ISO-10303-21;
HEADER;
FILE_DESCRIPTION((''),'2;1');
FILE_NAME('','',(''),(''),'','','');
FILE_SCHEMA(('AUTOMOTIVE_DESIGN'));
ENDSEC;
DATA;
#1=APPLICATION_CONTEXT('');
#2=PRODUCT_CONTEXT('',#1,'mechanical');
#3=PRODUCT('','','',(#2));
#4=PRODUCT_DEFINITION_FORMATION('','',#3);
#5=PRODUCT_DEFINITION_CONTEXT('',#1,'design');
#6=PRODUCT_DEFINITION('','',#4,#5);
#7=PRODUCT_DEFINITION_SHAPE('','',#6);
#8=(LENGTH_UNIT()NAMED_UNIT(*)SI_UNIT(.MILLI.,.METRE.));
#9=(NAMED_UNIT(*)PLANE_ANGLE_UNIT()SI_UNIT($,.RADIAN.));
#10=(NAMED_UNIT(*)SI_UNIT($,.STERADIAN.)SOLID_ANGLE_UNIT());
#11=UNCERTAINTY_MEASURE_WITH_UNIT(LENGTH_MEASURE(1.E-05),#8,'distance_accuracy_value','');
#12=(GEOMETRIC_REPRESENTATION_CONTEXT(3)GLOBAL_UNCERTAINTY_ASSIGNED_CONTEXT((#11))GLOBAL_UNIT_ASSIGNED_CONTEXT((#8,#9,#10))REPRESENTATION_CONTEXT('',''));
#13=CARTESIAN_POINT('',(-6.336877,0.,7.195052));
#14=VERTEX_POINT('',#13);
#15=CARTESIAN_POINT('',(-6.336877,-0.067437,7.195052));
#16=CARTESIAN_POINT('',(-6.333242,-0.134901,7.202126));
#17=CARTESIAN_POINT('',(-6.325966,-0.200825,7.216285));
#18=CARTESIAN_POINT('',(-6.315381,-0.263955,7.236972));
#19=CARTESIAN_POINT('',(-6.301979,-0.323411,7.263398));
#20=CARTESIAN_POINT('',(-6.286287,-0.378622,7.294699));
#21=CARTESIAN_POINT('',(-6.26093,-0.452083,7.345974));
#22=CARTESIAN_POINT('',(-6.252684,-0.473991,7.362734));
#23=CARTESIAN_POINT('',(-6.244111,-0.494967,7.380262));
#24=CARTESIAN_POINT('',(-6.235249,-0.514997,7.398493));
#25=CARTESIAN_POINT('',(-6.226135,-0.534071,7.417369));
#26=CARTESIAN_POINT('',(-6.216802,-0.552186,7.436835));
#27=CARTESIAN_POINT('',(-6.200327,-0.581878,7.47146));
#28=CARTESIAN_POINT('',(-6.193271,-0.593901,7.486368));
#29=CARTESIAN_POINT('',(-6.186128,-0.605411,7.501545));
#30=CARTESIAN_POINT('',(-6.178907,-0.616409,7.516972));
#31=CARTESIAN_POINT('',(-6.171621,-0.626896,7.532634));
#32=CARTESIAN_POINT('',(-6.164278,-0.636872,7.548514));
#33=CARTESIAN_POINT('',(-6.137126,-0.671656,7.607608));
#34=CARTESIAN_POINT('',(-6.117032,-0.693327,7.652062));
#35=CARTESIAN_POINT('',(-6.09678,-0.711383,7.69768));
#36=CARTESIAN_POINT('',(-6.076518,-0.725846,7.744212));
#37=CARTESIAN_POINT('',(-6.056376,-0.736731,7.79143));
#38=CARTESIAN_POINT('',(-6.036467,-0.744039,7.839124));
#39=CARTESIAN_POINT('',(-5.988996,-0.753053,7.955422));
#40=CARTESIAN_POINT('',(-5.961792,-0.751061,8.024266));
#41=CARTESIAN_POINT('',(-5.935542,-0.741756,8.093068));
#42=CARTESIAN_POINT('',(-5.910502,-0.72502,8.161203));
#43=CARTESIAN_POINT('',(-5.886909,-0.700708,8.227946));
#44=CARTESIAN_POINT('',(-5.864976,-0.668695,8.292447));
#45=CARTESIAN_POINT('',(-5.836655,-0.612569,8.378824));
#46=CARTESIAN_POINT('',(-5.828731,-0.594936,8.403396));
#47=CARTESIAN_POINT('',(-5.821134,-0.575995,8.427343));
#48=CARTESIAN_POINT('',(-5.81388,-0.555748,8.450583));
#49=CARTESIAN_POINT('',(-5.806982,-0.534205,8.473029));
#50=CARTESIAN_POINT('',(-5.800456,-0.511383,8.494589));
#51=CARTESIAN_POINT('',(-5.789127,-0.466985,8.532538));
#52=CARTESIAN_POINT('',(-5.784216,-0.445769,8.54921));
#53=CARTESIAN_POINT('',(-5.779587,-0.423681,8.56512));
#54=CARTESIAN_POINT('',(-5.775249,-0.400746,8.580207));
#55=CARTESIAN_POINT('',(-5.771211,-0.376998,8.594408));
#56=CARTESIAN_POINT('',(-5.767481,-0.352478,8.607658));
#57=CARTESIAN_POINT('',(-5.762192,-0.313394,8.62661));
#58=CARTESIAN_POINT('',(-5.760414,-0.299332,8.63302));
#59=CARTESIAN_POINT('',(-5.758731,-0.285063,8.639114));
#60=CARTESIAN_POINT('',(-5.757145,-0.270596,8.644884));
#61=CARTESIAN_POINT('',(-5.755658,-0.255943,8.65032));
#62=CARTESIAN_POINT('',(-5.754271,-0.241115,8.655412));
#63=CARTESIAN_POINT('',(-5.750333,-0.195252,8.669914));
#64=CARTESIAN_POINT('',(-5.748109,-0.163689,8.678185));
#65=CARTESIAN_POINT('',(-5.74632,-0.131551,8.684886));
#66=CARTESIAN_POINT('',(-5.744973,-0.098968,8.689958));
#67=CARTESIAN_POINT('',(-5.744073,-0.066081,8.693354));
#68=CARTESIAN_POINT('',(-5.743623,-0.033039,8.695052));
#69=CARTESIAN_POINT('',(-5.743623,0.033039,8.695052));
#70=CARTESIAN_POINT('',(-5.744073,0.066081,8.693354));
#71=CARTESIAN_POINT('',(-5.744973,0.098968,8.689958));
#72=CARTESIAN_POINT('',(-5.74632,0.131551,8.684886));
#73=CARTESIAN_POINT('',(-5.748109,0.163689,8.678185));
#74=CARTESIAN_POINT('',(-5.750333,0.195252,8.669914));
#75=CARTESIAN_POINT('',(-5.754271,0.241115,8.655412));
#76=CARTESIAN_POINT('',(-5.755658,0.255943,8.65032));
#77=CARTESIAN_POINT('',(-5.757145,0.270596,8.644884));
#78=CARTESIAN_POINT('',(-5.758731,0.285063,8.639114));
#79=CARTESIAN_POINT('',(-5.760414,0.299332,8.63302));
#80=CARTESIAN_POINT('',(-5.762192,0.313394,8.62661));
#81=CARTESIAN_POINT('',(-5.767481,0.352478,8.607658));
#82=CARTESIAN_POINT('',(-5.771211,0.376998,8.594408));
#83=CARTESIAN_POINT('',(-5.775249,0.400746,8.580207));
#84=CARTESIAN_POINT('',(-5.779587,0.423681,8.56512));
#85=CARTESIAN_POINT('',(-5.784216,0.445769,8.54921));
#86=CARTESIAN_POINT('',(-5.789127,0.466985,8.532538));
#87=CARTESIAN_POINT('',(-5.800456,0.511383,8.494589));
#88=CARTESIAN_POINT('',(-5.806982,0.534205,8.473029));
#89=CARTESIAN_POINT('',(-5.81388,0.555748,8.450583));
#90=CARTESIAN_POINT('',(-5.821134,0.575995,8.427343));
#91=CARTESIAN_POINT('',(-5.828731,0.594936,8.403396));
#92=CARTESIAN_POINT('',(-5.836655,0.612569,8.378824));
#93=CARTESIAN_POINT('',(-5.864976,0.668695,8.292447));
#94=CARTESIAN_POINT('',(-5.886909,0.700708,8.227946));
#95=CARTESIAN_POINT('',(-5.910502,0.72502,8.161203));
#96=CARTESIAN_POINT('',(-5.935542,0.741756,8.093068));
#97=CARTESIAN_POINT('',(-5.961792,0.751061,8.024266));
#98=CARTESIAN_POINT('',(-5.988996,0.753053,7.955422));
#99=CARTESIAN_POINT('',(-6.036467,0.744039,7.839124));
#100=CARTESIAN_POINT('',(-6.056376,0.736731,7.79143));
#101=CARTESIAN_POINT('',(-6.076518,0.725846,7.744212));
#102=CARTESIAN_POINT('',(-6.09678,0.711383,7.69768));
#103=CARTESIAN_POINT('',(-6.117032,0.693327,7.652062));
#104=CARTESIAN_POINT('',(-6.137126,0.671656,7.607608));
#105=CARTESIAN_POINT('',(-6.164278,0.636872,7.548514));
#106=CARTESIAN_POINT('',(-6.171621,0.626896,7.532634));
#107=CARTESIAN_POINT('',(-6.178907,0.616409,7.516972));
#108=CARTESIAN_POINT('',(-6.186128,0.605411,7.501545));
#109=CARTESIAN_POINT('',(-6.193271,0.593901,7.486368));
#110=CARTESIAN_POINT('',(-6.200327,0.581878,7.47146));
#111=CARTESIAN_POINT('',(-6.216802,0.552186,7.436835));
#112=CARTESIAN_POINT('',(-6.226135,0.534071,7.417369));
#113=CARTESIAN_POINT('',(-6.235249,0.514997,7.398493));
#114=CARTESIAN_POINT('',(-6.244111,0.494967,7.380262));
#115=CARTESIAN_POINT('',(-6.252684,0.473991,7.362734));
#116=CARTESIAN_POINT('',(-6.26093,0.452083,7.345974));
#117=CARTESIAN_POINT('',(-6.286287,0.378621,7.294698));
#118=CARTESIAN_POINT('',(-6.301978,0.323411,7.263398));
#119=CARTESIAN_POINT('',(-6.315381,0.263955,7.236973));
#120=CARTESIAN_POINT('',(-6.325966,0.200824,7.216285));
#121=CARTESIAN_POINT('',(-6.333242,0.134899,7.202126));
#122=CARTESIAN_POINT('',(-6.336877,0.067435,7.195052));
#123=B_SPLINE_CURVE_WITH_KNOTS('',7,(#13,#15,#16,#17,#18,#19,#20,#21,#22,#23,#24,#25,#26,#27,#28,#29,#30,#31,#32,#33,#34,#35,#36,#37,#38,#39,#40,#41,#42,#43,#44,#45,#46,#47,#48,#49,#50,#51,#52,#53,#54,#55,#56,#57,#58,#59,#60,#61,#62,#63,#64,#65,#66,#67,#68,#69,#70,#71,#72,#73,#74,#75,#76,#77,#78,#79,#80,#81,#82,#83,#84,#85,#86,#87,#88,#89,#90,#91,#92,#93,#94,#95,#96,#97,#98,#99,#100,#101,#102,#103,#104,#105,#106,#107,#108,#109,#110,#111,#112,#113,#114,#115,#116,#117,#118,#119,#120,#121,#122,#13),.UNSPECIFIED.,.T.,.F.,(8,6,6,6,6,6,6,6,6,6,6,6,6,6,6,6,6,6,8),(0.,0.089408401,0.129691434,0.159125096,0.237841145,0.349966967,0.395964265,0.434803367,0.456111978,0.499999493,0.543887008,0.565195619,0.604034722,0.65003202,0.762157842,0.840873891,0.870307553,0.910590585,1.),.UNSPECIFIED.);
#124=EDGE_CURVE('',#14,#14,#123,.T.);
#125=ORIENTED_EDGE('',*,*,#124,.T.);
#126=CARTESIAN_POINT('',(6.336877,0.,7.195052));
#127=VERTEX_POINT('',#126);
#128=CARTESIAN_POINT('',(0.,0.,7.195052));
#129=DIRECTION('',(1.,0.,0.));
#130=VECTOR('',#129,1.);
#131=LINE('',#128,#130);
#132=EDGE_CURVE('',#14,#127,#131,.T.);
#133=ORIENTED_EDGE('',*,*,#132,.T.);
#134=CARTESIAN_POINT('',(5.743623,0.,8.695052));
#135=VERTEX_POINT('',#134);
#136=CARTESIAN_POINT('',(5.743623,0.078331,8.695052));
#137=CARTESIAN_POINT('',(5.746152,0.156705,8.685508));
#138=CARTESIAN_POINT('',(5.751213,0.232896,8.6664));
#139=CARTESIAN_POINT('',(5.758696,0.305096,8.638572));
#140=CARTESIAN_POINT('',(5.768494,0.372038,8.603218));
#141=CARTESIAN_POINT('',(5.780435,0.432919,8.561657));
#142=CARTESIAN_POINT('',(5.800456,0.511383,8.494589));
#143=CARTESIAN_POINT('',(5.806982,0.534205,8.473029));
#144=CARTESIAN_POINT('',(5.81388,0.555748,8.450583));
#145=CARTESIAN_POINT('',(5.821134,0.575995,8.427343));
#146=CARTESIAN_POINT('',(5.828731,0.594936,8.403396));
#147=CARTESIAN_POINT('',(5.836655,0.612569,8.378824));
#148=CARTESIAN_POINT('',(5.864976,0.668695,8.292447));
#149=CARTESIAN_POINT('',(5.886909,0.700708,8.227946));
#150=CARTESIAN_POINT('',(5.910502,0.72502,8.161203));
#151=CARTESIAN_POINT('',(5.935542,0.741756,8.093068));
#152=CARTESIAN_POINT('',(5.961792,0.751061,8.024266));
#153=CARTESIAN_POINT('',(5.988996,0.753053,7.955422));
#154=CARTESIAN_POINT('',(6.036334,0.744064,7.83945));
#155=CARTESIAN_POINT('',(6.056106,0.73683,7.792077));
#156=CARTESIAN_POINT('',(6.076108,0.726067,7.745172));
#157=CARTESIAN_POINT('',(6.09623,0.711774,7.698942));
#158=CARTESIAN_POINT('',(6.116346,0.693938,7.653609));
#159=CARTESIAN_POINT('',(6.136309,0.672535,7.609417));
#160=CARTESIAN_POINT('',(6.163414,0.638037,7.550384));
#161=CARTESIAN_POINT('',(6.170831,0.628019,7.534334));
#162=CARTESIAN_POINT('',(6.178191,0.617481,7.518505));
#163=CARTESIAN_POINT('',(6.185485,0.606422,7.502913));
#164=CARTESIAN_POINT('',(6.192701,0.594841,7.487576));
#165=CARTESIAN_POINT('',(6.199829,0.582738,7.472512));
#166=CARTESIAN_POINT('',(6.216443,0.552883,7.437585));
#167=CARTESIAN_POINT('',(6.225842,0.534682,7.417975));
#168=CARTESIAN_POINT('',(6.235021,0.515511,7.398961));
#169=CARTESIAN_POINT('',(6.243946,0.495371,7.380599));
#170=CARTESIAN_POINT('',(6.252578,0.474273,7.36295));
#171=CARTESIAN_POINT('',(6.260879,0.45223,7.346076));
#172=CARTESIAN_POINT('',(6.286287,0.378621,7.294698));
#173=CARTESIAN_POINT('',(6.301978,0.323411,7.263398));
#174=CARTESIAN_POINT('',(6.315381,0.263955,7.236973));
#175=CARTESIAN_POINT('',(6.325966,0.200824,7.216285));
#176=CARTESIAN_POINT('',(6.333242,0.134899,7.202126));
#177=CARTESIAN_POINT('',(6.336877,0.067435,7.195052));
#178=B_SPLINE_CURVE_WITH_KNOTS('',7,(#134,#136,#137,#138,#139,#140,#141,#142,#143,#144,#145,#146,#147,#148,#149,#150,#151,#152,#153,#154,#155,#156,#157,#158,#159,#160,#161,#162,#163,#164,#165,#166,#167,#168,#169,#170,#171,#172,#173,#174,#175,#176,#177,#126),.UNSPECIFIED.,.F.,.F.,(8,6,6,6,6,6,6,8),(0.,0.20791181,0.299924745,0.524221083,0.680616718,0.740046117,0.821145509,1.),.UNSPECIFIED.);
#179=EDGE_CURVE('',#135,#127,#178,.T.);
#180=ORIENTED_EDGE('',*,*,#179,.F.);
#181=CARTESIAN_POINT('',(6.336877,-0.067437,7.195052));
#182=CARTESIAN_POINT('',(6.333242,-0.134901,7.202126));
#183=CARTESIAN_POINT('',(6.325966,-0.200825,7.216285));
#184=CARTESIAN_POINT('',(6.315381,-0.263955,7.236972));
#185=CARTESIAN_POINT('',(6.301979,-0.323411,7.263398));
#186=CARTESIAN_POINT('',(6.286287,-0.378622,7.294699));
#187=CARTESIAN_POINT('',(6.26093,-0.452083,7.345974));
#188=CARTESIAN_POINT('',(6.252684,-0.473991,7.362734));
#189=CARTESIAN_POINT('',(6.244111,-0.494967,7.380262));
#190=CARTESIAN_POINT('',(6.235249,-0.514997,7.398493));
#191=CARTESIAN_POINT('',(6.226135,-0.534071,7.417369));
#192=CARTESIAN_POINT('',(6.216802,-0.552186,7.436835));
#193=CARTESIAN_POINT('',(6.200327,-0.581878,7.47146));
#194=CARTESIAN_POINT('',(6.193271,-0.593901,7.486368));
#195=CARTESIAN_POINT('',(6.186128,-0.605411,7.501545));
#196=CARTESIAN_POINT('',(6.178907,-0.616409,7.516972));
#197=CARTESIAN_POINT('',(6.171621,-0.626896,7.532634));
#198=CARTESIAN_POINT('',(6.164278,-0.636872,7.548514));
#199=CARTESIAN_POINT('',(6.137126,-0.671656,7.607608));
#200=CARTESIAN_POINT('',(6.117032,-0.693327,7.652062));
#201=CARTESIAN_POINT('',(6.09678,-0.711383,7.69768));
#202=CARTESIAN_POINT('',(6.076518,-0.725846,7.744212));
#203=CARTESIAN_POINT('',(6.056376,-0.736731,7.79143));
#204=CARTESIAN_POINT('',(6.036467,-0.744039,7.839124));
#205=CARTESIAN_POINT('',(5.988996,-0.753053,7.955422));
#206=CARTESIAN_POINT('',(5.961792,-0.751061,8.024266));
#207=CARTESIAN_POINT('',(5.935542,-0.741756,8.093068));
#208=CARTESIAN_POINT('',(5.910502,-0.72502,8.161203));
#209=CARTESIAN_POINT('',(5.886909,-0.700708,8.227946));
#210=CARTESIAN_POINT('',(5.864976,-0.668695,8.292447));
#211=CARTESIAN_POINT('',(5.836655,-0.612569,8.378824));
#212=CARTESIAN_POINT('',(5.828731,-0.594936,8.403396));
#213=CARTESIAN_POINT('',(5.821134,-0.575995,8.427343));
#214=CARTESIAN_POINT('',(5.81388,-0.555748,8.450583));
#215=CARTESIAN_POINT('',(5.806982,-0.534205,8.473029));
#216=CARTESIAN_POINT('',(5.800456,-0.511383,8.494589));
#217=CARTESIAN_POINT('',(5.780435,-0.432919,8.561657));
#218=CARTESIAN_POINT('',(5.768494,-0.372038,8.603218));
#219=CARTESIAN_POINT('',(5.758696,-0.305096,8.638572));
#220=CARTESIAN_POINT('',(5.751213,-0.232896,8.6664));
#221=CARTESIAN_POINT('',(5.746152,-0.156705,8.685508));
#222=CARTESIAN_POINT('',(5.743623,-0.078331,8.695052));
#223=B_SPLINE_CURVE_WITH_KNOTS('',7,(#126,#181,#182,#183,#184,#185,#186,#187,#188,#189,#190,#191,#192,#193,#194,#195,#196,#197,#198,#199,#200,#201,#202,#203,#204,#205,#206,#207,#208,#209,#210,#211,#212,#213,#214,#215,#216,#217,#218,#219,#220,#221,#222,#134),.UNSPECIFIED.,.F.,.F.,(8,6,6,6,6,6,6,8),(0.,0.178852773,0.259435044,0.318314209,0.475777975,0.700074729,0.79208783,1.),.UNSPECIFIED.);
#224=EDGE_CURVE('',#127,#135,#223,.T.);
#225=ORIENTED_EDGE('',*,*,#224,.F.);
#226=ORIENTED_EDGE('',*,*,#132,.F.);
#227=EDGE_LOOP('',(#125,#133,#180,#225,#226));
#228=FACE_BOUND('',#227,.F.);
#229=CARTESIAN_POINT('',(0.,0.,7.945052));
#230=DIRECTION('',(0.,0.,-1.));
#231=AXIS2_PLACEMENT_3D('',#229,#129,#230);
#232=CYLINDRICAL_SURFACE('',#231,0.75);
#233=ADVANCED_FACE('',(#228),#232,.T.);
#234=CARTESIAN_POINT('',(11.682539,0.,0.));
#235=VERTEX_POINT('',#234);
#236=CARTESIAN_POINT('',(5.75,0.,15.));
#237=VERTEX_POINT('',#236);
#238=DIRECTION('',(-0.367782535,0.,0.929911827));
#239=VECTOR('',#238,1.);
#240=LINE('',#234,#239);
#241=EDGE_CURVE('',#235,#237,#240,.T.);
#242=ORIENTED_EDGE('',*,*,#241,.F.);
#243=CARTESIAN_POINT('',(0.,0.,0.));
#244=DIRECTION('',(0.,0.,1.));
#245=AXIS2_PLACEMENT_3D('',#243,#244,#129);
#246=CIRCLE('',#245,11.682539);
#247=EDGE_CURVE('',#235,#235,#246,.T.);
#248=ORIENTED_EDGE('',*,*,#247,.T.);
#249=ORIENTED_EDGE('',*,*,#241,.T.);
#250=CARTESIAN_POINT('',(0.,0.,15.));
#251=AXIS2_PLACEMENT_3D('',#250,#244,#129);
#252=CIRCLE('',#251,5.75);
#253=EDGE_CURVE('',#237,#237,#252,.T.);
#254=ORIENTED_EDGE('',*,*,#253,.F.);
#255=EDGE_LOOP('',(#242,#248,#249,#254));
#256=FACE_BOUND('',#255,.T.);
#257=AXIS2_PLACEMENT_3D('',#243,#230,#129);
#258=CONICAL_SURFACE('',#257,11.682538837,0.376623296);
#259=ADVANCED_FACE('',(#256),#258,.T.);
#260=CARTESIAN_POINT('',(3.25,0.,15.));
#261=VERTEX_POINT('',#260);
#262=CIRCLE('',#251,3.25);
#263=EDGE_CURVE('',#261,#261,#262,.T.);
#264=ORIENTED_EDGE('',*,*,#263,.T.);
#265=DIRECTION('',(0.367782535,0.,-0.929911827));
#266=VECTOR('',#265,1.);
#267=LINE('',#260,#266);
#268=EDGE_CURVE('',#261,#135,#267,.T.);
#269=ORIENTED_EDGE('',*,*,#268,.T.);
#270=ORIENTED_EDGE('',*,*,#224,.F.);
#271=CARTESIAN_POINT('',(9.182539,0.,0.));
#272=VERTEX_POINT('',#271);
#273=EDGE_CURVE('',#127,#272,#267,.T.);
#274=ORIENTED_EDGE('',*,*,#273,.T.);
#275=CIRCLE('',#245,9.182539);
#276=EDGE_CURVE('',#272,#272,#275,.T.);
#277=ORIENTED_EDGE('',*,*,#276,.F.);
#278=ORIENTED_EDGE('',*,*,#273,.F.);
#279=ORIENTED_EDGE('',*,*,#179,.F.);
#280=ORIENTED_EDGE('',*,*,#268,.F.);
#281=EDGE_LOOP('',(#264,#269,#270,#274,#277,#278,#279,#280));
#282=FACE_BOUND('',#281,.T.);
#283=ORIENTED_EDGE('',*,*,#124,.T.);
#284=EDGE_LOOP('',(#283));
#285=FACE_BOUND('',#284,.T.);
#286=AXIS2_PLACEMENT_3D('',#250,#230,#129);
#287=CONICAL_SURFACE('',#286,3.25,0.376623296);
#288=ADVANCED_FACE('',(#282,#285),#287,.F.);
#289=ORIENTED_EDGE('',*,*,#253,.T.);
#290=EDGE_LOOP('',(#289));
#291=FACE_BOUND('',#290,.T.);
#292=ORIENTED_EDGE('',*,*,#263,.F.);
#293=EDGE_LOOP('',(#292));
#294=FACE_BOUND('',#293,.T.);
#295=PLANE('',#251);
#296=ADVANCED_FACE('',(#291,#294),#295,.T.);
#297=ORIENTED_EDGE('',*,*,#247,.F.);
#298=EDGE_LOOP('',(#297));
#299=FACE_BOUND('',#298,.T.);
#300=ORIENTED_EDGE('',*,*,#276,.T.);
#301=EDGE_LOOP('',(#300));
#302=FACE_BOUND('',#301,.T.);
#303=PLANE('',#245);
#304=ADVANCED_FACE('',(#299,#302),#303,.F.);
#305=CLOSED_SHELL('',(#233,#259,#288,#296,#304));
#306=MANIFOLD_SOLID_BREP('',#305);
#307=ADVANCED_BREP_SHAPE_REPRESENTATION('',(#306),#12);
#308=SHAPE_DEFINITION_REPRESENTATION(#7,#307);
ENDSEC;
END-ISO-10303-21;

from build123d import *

# Parameters (mm, degrees)
F1_W = 16
F1_H = 0.75


with BuildPart() as f2:
    # F1 (on Front) → F2 (revolve)
    with BuildSketch(Plane.XZ):
        with Locations((0, 7.5700522866)):
            Rectangle(F1_W, F1_H)
    revolve(axis=Axis((0, 0, 7.9450522866), (-1, 0, 0)))

    # F0 (on Front) → F3 (revolve)
    with BuildSketch(Plane.XZ):
        Polygon((5.75, 15), (3.25, 15), (9.1825388372, 0), (11.6825388372, 0), align=None)
    revolve(axis=Axis((0, 0, 7.5), (0, 0, 1)))


solid = f2.part
